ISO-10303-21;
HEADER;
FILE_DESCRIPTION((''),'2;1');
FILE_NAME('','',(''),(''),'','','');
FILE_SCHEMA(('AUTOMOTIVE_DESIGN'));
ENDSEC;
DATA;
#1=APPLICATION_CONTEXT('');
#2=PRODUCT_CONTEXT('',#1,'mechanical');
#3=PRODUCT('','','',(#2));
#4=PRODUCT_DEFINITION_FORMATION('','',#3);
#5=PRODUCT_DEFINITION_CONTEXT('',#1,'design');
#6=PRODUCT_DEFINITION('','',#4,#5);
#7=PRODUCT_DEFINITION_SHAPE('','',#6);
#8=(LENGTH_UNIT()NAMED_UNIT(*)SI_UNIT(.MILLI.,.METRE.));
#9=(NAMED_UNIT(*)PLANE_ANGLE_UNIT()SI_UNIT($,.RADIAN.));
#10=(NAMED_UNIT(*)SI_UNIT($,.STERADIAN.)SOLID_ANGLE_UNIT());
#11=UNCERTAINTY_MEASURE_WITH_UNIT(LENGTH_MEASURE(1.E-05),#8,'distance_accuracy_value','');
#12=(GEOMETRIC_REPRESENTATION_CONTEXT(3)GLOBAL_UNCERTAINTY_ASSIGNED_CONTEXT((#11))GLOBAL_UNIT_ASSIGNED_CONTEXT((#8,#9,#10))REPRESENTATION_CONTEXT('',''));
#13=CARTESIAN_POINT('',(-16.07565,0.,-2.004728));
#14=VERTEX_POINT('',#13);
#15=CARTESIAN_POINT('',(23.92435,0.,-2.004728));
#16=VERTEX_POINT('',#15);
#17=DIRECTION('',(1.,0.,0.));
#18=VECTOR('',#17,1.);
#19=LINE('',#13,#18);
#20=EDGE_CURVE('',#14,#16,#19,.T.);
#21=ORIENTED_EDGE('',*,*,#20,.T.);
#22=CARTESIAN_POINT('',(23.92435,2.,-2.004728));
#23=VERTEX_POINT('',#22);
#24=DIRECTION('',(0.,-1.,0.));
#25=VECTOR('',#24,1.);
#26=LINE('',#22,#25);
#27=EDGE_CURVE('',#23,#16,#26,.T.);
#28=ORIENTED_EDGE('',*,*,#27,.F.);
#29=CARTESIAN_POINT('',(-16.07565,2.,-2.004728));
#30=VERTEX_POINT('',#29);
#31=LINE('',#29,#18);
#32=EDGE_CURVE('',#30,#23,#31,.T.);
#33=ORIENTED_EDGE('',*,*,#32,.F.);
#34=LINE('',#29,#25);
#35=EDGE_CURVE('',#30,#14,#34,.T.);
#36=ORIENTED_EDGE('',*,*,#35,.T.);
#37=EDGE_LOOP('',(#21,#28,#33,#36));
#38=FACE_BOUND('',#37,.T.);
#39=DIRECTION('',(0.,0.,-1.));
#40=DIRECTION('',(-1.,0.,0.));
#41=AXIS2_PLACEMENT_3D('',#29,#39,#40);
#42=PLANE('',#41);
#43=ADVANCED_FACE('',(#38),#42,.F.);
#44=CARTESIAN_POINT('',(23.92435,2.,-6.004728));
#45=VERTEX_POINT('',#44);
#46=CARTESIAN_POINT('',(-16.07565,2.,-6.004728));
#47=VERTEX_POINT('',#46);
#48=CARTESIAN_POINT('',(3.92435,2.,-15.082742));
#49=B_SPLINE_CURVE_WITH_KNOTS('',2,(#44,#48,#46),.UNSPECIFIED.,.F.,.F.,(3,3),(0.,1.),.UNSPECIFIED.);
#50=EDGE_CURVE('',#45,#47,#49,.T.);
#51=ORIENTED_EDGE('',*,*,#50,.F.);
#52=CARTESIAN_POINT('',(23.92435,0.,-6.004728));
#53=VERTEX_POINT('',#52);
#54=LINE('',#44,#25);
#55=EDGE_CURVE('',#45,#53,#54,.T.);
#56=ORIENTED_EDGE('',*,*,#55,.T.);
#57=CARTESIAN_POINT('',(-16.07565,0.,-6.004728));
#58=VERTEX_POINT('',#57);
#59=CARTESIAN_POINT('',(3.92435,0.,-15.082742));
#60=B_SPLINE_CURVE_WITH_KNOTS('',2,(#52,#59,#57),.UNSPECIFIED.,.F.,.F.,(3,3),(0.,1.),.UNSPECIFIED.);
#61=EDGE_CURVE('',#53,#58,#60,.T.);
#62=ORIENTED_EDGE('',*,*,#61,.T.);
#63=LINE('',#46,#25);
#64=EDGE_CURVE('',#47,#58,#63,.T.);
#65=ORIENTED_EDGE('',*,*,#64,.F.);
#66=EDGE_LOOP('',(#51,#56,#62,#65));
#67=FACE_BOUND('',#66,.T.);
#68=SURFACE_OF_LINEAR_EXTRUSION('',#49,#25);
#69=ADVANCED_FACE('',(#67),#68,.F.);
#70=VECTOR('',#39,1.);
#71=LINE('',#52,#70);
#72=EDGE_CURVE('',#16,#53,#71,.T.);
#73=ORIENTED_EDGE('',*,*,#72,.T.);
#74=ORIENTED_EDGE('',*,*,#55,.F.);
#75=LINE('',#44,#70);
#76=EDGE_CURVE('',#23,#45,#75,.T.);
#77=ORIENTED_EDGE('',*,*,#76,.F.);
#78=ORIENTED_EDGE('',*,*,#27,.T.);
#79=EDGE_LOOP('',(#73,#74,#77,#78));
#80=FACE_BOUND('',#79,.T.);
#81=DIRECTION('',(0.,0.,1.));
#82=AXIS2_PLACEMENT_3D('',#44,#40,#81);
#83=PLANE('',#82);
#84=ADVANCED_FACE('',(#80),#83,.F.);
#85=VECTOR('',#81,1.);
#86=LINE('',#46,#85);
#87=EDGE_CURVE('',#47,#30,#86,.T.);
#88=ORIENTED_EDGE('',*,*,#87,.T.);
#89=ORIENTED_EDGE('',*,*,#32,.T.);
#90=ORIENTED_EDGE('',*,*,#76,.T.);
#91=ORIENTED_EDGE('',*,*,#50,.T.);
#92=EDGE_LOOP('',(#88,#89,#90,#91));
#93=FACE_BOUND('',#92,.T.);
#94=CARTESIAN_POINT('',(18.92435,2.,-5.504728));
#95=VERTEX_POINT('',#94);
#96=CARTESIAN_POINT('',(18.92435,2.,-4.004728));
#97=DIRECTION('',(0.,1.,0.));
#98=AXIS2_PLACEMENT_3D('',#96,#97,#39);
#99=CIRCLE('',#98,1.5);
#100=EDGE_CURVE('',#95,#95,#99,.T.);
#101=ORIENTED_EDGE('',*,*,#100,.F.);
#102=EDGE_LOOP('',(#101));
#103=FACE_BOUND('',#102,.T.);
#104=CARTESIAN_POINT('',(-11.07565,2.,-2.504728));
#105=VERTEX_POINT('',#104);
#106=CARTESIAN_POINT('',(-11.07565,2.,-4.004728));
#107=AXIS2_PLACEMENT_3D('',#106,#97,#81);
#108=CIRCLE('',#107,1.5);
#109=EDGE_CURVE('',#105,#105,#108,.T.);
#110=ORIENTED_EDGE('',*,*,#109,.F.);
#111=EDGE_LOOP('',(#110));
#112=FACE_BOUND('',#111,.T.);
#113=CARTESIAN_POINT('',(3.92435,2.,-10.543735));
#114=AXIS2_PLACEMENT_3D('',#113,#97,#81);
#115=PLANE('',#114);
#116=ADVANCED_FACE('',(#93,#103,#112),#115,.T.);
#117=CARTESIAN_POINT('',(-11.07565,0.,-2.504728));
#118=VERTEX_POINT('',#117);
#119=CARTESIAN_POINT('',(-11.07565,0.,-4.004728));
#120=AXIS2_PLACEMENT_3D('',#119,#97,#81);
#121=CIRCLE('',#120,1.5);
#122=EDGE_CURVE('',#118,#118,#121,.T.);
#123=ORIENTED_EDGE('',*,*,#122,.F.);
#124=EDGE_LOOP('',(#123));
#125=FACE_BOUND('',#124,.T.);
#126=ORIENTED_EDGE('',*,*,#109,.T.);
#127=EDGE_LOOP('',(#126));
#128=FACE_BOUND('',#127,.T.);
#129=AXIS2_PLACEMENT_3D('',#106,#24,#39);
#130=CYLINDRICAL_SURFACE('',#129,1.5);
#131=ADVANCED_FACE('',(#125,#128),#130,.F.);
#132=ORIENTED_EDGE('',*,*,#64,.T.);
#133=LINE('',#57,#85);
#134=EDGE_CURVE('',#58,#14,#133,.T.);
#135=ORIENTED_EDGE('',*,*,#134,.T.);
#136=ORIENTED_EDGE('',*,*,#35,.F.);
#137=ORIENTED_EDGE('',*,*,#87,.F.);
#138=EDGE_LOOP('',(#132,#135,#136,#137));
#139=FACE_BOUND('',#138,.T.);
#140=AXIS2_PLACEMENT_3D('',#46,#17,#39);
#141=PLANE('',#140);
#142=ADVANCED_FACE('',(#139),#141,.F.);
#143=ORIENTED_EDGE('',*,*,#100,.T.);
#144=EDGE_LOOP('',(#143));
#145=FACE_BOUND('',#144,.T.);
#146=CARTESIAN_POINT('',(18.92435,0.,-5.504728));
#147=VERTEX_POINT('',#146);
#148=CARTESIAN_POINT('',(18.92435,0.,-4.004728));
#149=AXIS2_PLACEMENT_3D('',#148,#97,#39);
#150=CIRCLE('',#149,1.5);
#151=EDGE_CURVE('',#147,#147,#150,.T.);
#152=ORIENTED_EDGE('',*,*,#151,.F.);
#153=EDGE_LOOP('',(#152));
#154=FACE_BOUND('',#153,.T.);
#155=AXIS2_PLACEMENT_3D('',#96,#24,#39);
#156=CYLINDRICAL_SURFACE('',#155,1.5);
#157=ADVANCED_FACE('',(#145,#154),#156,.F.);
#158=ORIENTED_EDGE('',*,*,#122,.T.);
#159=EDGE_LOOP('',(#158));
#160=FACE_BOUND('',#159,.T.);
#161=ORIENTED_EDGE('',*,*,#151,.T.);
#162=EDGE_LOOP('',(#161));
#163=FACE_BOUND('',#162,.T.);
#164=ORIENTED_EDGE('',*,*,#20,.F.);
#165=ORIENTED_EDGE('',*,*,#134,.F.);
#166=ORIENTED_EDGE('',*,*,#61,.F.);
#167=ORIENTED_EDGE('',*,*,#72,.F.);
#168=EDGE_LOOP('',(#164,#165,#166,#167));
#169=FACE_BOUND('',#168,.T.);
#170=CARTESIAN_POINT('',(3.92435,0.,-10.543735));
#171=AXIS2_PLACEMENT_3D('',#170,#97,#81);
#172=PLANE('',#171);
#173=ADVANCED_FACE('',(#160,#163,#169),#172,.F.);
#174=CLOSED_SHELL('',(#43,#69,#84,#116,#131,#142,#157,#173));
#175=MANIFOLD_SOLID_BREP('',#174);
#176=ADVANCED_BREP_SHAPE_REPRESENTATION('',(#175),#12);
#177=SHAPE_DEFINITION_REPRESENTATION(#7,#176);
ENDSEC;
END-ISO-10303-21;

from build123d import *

# Parameters (mm, degrees)
SKETCH1_R           = 1.5
BOSS_EXTRUDE1_DEPTH = 2


with BuildPart() as part:
    # Sketch1 → Boss-Extrude1 (new body)
    with BuildSketch(Plane(origin=(0, 0, 0), x_dir=(1, 0, 0), z_dir=(0, 1, 0))):
        with BuildLine():
            Line((-16.075650118, 6.004728132), (-16.075650118, 2.004728132))
            Line((-16.075650118, 2.004728132), (23.924349882, 2.004728132))
            Line((23.924349882, 2.004728132), (23.924349882, 6.004728132))
            add(Edge.make_bspline(
                [(-16.075650118, 6.004728132), (3.924349882, 15.082742317), (23.924349882, 6.004728132)],
                knots=[0, 0, 0, 1, 1, 1], degree=2))
        make_face()
        with Locations(Location((-11.075650118, 4.004728132, 0), (0, 0, 270))):
            Circle(SKETCH1_R, mode=Mode.SUBTRACT)
        with Locations(Location((18.924349882, 4.004728132, 0), (0, 0, 90))):
            Circle(SKETCH1_R, mode=Mode.SUBTRACT)
    extrude(amount=BOSS_EXTRUDE1_DEPTH)


solid = part.part
